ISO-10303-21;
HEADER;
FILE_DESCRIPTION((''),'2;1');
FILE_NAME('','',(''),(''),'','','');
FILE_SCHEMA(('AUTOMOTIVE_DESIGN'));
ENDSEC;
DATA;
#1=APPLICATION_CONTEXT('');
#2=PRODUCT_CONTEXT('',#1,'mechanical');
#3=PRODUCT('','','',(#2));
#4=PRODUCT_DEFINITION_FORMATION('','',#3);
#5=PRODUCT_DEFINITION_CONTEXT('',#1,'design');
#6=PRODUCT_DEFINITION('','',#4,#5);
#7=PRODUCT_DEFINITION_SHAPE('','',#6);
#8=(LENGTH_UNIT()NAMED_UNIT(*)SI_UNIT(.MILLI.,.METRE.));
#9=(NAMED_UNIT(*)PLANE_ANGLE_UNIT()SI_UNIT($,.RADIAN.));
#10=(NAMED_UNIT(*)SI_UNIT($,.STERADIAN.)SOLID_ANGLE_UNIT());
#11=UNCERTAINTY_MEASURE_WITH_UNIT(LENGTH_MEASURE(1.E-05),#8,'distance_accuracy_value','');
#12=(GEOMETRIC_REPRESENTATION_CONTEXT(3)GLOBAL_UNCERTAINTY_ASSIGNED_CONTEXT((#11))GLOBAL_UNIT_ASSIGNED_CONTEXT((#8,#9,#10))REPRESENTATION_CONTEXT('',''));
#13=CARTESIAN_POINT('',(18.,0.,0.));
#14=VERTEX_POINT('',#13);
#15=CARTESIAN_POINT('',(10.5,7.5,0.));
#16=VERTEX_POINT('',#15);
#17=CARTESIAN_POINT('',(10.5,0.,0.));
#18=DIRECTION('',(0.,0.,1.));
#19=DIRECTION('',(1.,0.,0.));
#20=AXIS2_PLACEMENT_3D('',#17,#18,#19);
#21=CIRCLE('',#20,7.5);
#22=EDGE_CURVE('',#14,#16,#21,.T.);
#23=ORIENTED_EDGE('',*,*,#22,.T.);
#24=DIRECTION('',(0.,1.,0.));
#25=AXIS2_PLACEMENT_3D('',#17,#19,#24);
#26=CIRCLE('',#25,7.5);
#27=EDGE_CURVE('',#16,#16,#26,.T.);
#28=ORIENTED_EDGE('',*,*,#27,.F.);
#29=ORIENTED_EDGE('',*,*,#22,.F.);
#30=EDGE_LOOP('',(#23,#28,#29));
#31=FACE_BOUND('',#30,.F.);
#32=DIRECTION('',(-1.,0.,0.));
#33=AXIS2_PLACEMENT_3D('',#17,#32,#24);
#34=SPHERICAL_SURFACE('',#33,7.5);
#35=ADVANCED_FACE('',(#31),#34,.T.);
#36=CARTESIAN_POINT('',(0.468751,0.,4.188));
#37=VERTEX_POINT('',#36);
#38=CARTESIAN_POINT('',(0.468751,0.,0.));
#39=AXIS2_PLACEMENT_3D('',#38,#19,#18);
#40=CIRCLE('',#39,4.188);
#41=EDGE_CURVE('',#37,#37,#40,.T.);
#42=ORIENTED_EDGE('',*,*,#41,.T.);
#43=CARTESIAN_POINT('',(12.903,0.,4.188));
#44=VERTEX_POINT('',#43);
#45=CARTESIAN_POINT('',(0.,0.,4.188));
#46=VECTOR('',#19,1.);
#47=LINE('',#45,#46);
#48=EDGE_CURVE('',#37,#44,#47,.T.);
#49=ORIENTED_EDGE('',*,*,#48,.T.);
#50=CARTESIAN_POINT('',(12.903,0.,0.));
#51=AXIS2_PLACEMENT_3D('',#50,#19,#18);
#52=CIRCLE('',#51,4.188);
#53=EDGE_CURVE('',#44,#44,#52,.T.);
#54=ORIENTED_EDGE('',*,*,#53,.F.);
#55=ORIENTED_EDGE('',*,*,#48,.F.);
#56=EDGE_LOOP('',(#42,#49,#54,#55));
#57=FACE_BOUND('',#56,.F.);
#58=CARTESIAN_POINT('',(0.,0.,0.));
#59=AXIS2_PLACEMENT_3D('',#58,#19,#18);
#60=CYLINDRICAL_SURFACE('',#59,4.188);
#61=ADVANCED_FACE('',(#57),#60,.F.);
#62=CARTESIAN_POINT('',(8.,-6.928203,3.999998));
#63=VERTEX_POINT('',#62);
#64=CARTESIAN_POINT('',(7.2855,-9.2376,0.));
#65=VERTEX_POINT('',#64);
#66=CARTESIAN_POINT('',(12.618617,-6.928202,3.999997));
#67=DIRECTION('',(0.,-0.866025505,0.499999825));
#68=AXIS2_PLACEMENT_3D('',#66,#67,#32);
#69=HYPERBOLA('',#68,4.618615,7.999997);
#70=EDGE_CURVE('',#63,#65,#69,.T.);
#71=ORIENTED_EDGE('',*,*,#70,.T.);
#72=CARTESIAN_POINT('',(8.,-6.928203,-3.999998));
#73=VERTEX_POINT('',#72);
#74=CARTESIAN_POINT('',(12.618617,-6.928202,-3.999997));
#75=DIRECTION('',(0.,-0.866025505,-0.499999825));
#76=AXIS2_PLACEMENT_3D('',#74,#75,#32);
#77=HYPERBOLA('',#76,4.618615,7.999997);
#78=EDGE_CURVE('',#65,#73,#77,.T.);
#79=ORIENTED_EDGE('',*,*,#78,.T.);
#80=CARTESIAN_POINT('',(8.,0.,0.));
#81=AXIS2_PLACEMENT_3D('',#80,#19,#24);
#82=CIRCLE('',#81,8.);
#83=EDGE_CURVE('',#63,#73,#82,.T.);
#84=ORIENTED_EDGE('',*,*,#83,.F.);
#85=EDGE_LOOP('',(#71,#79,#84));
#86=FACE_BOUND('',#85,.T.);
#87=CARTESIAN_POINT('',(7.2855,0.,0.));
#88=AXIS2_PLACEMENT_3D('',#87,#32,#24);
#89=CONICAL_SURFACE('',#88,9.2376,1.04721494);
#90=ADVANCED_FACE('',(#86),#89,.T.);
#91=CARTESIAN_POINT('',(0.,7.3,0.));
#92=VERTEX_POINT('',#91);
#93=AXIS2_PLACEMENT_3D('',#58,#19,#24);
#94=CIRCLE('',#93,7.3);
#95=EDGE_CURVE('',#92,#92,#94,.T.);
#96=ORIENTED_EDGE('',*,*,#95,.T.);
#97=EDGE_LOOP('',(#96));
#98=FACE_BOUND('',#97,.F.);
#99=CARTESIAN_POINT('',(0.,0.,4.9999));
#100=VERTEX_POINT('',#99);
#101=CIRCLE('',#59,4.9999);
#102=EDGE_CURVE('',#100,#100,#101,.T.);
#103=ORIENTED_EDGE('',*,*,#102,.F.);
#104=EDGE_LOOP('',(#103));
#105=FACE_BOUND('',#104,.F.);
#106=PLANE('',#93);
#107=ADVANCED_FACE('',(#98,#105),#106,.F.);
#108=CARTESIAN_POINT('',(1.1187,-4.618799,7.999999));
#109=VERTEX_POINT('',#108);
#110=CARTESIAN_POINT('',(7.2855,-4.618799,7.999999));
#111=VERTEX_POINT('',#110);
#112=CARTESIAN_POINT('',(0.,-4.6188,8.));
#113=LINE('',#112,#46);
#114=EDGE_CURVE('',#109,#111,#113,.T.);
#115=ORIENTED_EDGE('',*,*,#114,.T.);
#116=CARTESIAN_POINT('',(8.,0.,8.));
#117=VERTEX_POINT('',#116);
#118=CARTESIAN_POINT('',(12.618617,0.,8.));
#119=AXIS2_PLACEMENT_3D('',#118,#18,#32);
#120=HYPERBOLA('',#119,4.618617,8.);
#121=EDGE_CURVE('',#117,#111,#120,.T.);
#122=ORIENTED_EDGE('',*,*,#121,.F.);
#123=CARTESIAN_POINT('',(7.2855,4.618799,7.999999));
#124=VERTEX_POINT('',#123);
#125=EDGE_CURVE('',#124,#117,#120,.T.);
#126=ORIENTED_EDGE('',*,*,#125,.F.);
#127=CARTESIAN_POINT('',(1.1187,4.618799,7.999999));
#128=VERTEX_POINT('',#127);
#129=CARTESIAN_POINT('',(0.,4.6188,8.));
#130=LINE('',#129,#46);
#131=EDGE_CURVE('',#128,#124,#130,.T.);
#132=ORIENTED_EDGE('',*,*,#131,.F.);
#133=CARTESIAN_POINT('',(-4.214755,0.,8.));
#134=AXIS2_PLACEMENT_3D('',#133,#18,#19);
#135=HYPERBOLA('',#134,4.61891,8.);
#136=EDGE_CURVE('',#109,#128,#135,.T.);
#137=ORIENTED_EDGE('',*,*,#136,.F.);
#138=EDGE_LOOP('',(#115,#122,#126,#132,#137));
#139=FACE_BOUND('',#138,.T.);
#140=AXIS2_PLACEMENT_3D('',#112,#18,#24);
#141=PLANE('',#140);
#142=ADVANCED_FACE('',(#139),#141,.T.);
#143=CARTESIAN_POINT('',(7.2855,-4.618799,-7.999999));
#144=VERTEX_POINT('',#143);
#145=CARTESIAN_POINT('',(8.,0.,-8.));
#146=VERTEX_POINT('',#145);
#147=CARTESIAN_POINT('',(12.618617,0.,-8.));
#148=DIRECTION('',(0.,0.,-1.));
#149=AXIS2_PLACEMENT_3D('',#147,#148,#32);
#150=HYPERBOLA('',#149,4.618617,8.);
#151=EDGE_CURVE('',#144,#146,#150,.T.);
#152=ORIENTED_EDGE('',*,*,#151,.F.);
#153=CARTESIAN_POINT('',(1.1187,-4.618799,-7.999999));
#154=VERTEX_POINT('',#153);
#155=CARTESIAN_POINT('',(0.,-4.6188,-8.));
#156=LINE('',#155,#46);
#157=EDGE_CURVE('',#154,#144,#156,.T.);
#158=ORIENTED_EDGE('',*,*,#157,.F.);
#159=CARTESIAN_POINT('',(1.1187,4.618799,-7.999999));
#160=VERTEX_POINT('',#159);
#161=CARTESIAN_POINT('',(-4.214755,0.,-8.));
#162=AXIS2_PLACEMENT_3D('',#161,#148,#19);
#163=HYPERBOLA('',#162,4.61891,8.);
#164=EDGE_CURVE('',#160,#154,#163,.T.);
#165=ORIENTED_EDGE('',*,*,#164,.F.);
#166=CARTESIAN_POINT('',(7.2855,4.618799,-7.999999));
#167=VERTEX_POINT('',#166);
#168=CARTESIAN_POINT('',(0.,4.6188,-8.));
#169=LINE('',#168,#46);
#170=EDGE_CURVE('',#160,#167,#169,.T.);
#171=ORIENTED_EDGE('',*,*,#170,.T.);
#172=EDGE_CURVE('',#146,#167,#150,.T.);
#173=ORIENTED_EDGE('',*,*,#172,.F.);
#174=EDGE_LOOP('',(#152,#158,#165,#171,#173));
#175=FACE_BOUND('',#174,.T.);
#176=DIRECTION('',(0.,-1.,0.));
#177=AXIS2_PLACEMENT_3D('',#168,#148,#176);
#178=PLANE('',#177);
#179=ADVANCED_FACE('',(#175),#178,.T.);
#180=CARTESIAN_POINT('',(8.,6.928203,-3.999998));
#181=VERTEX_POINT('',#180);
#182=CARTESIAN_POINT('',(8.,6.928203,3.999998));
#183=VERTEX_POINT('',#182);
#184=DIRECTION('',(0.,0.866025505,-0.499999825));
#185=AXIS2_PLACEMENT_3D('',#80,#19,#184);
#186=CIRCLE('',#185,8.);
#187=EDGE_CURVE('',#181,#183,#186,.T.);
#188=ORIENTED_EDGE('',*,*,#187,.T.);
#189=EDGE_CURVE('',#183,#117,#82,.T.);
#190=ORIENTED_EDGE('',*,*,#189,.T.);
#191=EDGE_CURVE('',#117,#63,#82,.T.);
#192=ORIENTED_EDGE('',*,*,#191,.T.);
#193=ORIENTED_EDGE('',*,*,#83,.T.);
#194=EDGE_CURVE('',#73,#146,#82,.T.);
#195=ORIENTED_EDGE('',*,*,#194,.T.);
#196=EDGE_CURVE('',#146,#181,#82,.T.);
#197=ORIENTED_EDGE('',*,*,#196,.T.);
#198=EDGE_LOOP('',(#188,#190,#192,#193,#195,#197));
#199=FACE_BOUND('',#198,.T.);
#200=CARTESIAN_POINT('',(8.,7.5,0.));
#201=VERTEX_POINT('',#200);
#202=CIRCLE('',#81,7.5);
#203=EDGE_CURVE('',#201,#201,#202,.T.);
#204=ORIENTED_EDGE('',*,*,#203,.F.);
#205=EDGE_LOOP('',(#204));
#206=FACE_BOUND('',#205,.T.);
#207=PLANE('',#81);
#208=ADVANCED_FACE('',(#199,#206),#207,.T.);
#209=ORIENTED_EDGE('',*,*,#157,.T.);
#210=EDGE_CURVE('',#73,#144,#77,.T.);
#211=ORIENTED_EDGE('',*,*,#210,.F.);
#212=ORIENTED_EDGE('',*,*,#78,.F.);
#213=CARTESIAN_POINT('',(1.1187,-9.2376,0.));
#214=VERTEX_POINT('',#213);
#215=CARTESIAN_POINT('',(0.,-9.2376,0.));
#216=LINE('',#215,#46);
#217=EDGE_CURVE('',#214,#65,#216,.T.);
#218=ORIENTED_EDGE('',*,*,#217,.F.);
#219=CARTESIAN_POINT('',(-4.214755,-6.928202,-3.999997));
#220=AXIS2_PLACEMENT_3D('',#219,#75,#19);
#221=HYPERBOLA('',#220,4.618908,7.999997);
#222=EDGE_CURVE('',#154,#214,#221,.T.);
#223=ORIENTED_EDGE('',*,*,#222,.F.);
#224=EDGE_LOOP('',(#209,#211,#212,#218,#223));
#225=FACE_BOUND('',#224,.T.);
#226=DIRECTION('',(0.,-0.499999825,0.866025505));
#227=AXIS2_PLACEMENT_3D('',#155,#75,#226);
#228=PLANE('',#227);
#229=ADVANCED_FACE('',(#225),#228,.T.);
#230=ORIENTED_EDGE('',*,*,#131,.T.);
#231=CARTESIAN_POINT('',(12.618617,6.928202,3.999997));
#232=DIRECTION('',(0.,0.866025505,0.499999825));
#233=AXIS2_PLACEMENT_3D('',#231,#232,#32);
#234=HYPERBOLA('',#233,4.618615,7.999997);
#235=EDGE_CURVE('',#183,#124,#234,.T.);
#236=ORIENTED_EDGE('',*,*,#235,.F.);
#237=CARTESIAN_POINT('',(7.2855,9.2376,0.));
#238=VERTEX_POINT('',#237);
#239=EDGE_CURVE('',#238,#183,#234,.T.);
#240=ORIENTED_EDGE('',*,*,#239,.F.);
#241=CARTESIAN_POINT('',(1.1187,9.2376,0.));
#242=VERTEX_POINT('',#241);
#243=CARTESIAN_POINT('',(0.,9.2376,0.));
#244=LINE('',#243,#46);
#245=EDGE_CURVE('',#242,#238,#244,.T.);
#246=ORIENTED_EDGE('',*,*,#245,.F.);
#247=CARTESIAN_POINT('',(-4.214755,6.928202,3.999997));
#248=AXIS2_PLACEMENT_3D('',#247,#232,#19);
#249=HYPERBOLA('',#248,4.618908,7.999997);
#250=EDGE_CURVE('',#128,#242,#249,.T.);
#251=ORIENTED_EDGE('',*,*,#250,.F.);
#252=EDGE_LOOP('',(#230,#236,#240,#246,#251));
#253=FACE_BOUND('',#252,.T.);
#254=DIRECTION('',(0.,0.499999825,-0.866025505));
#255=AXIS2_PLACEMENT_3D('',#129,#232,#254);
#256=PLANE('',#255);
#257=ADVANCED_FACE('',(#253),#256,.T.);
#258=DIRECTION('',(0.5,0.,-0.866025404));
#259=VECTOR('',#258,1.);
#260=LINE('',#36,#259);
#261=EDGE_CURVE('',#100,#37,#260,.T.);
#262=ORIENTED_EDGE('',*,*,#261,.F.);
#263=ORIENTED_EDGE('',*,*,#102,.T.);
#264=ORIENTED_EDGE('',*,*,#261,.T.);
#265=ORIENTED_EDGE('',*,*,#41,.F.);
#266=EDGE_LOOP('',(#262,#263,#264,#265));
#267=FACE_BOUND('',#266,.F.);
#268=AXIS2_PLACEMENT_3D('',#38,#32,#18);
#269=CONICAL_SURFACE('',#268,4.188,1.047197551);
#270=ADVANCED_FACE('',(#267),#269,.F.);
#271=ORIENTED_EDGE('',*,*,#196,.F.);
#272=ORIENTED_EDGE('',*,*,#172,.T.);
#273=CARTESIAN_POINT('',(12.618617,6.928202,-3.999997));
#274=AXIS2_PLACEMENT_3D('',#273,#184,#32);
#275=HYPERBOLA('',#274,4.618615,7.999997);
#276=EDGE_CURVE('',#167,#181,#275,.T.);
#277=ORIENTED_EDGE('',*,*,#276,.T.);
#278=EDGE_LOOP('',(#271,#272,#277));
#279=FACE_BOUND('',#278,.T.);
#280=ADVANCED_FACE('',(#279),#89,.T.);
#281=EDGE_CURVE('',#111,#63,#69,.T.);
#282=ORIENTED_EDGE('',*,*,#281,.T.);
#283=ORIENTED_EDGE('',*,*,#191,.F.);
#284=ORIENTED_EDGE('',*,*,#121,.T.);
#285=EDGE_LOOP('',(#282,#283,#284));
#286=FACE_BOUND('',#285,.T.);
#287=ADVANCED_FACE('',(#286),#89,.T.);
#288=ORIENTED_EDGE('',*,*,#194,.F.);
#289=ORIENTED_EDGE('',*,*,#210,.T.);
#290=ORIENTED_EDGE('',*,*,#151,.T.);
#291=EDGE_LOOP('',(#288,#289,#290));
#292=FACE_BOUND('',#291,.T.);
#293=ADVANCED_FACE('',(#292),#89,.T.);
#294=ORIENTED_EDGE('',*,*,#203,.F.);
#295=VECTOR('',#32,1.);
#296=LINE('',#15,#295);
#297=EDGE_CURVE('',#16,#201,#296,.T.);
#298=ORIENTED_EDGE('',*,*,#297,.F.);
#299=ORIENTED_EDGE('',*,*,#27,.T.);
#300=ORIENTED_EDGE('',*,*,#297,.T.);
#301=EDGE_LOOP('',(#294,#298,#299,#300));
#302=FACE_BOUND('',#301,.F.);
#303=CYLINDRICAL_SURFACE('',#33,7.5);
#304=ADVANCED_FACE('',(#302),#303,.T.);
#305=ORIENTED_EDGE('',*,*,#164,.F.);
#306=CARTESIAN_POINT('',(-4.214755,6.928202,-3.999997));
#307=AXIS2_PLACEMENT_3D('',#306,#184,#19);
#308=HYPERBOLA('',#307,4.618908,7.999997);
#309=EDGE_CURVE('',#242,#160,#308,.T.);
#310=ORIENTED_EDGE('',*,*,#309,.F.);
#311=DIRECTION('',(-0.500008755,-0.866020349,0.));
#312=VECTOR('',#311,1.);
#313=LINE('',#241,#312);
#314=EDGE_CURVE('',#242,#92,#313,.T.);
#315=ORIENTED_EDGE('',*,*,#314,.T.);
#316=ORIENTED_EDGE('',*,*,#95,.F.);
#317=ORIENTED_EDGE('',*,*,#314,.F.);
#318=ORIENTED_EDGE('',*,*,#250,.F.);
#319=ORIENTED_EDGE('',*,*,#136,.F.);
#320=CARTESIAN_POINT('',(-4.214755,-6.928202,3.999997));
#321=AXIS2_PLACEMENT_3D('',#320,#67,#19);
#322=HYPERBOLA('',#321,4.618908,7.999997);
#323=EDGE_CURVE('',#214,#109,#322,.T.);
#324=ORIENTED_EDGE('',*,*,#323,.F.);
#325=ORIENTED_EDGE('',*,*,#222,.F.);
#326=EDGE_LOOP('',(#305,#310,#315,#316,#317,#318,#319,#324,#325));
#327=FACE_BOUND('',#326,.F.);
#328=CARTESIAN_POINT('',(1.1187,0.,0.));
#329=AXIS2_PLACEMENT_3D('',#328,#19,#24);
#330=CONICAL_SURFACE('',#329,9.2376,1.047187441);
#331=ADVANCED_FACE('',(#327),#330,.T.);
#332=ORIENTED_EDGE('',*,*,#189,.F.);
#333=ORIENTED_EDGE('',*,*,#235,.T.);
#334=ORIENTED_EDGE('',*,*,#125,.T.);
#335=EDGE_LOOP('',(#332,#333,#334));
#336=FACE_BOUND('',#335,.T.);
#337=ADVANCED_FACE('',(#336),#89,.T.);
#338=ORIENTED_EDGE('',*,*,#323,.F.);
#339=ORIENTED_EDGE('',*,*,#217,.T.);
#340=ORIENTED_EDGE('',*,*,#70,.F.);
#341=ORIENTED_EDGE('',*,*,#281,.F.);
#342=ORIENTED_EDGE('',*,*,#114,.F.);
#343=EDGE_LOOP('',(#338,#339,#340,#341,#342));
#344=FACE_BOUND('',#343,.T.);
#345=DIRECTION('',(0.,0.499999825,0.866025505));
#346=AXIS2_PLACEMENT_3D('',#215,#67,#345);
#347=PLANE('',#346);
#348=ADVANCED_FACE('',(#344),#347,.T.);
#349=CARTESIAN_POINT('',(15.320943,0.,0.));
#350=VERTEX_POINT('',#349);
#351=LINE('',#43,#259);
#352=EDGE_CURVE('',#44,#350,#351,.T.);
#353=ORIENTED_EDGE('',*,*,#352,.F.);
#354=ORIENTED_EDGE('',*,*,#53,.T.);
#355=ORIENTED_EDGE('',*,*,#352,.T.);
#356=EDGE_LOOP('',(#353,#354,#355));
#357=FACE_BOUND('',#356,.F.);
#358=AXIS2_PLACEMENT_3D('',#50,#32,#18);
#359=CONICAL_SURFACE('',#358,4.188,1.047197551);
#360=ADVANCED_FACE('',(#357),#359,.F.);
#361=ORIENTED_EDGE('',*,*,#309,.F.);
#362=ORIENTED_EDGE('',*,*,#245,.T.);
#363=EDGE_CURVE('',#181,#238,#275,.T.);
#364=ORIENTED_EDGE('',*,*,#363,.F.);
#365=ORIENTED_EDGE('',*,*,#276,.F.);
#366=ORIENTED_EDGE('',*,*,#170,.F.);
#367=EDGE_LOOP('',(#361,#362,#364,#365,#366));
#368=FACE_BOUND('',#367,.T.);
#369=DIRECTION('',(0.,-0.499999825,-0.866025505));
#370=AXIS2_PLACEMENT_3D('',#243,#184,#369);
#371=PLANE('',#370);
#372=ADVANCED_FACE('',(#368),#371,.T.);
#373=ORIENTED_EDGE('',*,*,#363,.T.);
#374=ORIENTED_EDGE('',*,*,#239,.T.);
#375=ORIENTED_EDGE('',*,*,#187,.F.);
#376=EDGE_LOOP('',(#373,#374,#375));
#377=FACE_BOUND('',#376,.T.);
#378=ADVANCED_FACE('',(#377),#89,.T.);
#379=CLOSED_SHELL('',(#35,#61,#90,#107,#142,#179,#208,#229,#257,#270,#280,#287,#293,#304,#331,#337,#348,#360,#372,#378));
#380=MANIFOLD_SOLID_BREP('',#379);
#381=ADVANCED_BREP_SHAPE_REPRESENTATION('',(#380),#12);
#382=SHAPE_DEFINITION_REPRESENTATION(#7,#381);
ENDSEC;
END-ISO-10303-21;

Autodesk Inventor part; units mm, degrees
ref_plane "YZ Plane" through (0, 0, 0) normal (1, 0, 0) x (0, 1, 0)
ref_plane "XZ Plane" through (0, 0, 0) normal (0, 1, 0) x (-1, 0, 0)
sketch "Sketch1" plane through (0, 0, 0) normal (1, 0, 0) x (0, 1, 0)
  line L0 (-4.6188, -8) -> (-9.2376, 0)
  line L1 (-9.2376, 0) -> (-4.6188, 8)
  line L2 (-4.6188, 8) -> (4.6188, 8)
  line L3 (4.6188, 8) -> (9.2376, 0)
  line L4 (9.2376, 0) -> (4.6188, -8)
  line L5 (4.6188, -8) -> (-4.6188, -8)
  point P0 (0, 0)
  point P1 (0, 0)
  dimension "d0" = 18.4752
extrude "Body" add sketch "Sketch1" along normal blind 8
sketch "Sketch2" plane through (0, 0, 0) normal (0, 0, 1) x (1, 0, 0)
  line L0 (8, 0) -> (18, 0)
  arc A0 (18, 0) -> (10.5, 7.5) centre (10.5, 0) ccw
  line L1 (10.5, 7.5) -> (8, 7.5)
  line L2 (8, -4.6188) -> (8, 4.6188) projected
  line L3 (8, 0) -> (8, 7.5)
  line L4 (5.6893, 0) -> (21.864, 0) projected
  dimension "d8" = 7.5
  dimension "d9" = 10
revolve "Cap" add sketch "Sketch2" angle 360 about axis through (8, 0, 0) along (1, 0, 0)
sketch "Sketch3" plane through (0, 0, 0) normal (-1, 0, 0) x (0, 0, 1)
  line L0 (0, -12.9326) -> (0, 12.9326) projected
  line L1 (-11.2, 0) -> (11.2, 0) projected
  point P0 (0, 0)
hole "Thread" at (0, 0, 0) direction (1, 0, 0) diameter 8.376 depth 12.903 tip angle 120 thread size "M10x1.5" class "6H" standard "ISO Metric profile"
sketch "Sketch4" plane through (0, 0, 0) normal (0, 0, 1) x (1, 0, 0)
  line L0 (0, 4.6188) -> (0, 9.2376) projected
  line L1 (0, 9.2376) -> (8, 9.2376) projected
  line L2 (8, 4.6188) -> (8, 9.2376) projected
  line L3 (-1.6, 0) -> (9.6, 0) projected
  line L4 (1.1187, 9.2376) -> (0, 7.3)
  line L5 (7.2855, 9.2376) -> (8, 8)
  dimension "d3" = 14.6
  dimension "d4" = 30
  dimension "d5" = 16
  dimension "d6" = 30
revolve "Chamfer1" cut sketch "Sketch4" angle 360 about axis through (-10, 0, 0) along (1, 0, 0)
chamfer "Chamfer2" distance 0.8119 angle 30 1 edges at (0, 0, -4.188) measured on face at (0, 6.1818, -0.7506)
ref_plane "Work Plane1" through (6.4515, 0, 0) normal (0, 0.866, -0.5) x (-1, 0, 0)
equation "\"d0\" = 1.1547 * SW"
equation "\"d1\" = SIH"
equation "\"d8\" = KR"
equation "\"d9\" = KOH1 - SIH"
equation "\"d11\" = GEL"
equation "\"d12\" = 1.02 * GEL"
equation "\"d3\" = SW0"
equation "\"d4\" = ANG1"
equation "\"d5\" = SW01"
equation "\"d6\" = ANG2"
equation "\"d14\" = -0.5 * GD1 + 0.5 * NND"
equation "\"d36\" = -0.5 * GD1 + 0.5 * NND"
equation "\"ANG1\" = 30deg"
equation "\"ANG2\" = 30deg"
equation "\"SIH\" = 8"
equation "\"KOH1\" = 18"
equation "\"GEL\" = 12.65"
equation "\"SW\" = 16"
equation "\"KR\" = 7.5"
equation "\"SW0\" = 14.6"
equation "\"SW01\" = SW"
equation "\"GUL\" = 0.541266 * PTC"
equation "\"TOA\" = 30deg"
equation "\"PTC\" = 1.5"
equation "\"E0\" = 1.155 * SW"
equation "\"GAL\" = 0.541266 * PTC"
equation "\"GD1\" = 8.376202"
equation "\"NND\" = 10"
properties part number "M10 DN A2" material "Stainless Steel AISI 304"
